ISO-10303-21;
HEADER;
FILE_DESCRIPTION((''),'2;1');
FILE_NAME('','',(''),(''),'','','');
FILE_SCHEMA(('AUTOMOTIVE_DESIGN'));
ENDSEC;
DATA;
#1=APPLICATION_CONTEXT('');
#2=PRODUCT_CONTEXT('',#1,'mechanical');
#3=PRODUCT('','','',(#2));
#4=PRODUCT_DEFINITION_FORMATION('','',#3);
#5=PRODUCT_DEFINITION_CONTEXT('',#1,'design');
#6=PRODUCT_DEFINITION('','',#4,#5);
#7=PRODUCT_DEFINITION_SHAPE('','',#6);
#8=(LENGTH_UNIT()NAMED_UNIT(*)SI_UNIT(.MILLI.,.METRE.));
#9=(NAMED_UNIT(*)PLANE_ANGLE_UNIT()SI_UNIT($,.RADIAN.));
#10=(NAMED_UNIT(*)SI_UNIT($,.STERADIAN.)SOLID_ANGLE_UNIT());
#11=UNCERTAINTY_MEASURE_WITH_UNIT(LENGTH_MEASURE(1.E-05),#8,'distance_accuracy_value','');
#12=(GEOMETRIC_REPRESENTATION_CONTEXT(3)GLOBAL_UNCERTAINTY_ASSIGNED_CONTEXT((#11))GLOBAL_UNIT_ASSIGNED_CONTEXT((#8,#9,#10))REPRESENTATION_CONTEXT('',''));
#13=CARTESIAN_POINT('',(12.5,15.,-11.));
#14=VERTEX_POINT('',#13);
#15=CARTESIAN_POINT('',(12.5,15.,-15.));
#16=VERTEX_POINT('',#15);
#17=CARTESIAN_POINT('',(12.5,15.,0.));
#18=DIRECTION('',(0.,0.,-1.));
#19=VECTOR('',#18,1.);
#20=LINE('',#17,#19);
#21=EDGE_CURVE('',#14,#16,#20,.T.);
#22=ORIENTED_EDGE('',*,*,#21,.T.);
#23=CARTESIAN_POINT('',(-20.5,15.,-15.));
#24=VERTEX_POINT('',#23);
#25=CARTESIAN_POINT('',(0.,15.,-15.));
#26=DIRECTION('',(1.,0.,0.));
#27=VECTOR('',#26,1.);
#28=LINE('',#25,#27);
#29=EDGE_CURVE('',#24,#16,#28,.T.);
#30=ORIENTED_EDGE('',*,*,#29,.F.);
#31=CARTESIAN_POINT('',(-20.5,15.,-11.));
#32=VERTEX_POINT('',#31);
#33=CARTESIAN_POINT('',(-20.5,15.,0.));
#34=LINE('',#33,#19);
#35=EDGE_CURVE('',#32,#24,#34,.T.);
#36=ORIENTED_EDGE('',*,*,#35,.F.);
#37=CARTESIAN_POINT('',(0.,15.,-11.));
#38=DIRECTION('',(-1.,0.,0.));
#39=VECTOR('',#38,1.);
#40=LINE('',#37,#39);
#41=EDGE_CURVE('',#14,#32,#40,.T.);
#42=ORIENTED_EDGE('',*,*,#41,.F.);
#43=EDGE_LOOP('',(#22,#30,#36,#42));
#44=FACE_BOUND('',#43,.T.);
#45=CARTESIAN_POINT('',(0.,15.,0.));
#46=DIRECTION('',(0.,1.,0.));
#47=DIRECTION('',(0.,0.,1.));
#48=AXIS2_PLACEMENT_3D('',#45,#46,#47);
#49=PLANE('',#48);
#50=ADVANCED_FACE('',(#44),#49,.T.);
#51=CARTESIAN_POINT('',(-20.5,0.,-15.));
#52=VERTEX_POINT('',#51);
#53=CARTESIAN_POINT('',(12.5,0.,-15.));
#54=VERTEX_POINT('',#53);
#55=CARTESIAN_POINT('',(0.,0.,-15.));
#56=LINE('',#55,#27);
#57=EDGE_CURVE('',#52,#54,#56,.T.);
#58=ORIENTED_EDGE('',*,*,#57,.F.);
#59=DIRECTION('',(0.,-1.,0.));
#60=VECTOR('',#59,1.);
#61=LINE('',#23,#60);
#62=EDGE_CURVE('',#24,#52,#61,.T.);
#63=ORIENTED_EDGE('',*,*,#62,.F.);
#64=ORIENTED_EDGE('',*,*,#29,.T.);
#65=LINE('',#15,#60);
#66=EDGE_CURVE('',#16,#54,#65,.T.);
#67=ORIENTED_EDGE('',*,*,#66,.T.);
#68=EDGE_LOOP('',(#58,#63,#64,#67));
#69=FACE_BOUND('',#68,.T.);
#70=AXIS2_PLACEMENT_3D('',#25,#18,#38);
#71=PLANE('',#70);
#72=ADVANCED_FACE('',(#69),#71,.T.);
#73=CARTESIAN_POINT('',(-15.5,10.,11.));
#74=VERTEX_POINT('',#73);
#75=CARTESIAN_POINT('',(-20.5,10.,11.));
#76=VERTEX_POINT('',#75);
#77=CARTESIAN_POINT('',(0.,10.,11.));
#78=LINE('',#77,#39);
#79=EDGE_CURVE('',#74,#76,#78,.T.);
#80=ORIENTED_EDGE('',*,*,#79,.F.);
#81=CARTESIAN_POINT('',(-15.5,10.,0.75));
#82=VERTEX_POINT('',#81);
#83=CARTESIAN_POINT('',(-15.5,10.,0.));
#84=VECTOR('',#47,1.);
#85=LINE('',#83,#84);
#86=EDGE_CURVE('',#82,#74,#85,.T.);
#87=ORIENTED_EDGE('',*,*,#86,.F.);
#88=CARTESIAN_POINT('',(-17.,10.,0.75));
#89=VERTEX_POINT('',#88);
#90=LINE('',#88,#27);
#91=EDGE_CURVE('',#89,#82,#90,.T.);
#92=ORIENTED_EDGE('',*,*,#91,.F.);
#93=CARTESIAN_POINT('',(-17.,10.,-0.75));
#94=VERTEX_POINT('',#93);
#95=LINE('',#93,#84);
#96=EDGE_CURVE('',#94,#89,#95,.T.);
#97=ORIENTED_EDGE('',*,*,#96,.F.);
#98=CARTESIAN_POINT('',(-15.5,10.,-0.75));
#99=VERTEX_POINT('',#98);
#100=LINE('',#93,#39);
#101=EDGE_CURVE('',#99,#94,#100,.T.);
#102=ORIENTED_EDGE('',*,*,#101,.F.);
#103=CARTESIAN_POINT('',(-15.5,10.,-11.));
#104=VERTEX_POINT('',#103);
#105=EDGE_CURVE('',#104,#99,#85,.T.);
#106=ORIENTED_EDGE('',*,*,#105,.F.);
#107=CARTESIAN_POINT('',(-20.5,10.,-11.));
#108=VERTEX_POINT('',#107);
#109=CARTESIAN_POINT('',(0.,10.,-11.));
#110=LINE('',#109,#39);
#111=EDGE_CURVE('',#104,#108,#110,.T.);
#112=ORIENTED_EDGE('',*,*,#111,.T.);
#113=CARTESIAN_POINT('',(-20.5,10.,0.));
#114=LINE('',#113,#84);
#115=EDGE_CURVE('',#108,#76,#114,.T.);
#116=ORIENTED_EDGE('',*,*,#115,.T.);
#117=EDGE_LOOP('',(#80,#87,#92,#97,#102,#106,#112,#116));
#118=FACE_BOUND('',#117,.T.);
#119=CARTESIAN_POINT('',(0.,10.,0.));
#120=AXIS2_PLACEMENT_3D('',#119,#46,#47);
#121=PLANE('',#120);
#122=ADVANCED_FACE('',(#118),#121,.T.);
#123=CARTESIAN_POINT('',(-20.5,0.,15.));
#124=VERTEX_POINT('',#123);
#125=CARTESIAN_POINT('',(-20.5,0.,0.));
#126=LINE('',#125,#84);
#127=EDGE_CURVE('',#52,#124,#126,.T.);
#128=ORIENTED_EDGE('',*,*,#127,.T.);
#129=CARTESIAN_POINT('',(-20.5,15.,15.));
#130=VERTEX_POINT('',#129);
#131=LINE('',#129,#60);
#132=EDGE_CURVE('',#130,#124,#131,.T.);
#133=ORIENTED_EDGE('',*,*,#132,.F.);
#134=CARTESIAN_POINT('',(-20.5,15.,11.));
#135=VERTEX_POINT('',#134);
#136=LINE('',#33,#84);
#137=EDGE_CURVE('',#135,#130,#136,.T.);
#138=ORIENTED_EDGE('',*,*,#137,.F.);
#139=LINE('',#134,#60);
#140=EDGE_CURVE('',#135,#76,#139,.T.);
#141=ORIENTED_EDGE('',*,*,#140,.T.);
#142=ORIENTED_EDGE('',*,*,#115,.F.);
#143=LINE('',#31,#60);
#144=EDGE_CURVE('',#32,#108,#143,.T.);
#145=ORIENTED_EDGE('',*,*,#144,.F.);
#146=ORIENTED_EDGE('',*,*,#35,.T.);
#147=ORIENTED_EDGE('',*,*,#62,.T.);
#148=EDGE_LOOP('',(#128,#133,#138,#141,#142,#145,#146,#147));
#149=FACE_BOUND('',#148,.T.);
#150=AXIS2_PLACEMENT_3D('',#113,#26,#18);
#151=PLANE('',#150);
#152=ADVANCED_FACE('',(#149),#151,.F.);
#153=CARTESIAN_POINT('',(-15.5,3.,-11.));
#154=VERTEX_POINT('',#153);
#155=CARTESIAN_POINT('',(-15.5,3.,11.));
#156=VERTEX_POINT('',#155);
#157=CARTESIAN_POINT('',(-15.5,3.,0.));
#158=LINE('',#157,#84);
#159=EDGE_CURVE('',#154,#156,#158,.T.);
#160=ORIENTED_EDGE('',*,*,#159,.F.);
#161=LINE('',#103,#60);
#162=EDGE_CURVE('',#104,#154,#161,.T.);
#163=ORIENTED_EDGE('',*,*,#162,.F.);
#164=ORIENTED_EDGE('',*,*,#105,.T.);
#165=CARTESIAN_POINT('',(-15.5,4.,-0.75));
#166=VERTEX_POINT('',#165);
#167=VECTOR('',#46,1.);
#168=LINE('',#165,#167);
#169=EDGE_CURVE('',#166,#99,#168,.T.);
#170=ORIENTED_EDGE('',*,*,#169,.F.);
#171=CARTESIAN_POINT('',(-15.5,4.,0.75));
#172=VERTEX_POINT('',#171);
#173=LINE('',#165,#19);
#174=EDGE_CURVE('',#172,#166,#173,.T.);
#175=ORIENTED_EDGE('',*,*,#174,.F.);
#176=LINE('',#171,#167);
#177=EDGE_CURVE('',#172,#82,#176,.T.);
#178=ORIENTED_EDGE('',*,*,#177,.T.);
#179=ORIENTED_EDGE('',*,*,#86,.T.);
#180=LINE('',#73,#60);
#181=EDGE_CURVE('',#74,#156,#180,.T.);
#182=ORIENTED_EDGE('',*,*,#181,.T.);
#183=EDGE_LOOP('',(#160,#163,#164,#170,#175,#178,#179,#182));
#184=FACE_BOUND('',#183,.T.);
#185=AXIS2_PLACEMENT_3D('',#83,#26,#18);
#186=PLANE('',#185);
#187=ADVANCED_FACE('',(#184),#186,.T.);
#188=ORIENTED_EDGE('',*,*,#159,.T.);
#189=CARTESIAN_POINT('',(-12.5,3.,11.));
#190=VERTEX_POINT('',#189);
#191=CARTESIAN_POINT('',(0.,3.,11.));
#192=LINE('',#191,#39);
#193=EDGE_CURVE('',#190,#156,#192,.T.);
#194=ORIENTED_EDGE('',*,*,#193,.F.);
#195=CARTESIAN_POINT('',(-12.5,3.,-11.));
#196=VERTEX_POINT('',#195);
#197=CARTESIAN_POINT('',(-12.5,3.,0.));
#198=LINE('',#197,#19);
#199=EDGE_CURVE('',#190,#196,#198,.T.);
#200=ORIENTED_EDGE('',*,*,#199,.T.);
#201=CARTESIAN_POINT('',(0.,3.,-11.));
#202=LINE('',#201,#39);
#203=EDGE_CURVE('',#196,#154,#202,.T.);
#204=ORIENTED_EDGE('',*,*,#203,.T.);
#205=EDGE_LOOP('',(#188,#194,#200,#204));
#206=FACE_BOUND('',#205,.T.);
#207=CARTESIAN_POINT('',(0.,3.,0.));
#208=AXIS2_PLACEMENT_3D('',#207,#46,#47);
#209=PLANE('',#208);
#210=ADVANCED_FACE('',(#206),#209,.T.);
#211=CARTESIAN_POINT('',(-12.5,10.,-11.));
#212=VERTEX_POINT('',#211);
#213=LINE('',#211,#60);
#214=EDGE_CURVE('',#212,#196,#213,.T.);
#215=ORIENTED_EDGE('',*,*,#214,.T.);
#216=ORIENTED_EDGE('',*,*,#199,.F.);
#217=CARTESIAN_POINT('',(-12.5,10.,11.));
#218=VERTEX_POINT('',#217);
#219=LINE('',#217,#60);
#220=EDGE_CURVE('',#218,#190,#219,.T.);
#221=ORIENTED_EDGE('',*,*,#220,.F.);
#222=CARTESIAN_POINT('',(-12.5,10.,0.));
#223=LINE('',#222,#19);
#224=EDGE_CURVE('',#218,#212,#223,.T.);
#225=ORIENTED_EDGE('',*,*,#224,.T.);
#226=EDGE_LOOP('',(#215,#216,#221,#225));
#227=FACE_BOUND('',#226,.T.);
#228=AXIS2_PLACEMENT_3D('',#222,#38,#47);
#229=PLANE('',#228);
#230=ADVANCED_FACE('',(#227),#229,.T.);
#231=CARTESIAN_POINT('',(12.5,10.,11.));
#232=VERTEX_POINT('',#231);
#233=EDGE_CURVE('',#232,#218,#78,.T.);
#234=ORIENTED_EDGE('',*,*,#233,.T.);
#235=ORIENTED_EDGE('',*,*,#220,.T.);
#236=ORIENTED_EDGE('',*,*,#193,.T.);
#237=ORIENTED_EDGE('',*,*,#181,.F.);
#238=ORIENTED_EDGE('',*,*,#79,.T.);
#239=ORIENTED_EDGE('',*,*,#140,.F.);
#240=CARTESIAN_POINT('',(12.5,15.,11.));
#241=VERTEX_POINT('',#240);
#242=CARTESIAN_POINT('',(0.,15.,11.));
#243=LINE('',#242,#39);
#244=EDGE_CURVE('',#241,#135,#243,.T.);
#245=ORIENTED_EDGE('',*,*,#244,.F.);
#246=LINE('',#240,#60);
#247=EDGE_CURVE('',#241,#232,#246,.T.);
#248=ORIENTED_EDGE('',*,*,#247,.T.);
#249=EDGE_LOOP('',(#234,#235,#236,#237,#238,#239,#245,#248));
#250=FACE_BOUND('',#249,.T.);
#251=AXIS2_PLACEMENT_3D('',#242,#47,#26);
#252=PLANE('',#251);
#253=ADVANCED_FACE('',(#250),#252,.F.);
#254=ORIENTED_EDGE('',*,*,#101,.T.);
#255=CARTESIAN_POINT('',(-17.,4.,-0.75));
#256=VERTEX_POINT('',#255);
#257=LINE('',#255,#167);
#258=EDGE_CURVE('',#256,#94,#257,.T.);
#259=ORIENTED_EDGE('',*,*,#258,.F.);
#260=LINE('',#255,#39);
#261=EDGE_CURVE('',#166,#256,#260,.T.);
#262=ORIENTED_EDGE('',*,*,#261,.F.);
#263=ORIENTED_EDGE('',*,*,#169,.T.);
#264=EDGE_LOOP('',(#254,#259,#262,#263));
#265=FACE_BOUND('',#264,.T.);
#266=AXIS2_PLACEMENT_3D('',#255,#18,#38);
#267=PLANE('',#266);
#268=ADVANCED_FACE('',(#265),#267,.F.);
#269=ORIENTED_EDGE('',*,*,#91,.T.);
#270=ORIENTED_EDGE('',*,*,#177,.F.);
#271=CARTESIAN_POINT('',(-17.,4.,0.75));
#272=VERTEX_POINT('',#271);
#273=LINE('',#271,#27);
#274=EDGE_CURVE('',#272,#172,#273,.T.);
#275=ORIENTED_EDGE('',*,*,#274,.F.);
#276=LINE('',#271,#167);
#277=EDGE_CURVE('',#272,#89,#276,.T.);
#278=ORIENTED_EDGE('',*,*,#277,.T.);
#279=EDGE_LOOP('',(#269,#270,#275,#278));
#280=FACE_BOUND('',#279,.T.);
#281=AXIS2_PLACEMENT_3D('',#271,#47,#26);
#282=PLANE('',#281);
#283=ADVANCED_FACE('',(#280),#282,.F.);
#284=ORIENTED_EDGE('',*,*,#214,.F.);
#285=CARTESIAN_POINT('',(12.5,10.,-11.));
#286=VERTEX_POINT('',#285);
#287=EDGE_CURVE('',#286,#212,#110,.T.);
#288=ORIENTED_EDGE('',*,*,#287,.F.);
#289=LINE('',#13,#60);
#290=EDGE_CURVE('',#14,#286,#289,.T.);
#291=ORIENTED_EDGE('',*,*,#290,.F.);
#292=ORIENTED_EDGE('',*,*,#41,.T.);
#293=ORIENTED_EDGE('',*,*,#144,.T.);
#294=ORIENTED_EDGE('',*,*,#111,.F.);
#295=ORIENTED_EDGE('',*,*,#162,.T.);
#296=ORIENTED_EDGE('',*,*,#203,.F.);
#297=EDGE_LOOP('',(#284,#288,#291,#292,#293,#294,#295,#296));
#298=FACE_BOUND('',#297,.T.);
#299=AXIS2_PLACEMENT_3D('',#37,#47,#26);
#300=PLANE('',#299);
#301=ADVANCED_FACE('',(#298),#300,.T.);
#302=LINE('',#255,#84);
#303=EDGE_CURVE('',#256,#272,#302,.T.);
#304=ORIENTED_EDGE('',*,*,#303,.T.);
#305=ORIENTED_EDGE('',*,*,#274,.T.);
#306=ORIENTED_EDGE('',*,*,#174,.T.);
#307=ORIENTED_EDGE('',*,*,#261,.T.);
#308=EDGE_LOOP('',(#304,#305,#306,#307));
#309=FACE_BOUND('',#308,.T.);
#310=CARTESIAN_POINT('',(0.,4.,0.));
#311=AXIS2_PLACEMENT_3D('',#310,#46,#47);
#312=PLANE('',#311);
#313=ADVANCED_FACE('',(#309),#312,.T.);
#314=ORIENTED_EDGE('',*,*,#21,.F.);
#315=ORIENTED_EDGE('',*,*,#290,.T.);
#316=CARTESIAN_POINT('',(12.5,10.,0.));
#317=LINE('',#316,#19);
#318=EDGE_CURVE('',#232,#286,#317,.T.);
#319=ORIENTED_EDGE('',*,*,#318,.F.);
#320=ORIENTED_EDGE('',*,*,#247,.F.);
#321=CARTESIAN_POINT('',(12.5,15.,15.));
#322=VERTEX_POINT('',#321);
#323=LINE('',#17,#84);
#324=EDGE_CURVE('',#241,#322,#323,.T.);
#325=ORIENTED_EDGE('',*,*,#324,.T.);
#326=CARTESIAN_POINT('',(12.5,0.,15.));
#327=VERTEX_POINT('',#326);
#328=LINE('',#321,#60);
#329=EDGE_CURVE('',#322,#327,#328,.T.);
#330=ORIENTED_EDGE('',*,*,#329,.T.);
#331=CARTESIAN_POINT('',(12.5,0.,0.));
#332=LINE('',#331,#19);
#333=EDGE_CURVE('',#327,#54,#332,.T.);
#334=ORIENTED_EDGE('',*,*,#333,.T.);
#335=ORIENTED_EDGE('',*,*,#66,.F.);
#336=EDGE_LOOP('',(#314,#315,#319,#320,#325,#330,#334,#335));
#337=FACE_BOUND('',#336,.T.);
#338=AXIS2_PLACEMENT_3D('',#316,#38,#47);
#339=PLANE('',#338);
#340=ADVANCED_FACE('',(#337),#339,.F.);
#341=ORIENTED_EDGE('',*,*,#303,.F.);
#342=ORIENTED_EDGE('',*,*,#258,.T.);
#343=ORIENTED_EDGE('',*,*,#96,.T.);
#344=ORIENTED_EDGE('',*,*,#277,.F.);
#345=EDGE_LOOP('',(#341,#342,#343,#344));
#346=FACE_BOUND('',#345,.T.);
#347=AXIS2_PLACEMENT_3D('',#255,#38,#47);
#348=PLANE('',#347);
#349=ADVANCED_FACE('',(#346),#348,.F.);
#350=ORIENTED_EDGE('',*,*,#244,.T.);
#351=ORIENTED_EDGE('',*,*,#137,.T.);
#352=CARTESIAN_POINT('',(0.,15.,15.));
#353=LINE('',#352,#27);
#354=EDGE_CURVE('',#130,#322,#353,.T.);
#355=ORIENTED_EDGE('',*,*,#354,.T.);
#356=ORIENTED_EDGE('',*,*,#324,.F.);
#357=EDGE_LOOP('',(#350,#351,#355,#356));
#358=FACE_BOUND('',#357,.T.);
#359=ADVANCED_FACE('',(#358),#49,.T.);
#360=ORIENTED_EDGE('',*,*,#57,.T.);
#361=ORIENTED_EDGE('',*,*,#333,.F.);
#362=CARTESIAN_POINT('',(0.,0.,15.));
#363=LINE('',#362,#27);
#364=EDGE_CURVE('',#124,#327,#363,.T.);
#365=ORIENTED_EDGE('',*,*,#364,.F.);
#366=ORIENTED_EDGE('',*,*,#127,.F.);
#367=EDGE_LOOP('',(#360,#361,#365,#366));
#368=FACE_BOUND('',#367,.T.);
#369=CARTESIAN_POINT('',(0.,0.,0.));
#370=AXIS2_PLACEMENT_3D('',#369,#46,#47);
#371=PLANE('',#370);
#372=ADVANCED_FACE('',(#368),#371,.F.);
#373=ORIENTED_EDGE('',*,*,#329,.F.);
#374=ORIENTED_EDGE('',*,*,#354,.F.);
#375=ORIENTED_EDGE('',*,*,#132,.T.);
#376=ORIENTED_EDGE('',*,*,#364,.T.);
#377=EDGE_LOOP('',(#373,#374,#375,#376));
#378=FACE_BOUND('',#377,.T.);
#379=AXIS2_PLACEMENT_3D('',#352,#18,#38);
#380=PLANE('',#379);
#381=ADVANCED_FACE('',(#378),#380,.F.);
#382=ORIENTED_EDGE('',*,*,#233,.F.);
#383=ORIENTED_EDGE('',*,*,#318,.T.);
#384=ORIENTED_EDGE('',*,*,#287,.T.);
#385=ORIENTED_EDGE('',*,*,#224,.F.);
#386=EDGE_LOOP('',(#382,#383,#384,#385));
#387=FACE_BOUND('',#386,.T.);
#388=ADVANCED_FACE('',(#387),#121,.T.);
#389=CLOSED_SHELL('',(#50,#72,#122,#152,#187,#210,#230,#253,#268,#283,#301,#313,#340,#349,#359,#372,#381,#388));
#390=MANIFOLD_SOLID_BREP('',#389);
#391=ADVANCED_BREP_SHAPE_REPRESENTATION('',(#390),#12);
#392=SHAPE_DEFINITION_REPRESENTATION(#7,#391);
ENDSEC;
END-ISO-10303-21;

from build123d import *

# Parameters (mm, degrees)
SKETCH1_W           = 3
SKETCH1_H           = 22
BOSS_EXTRUDE3_DEPTH = 3
SKETCH1_6_W         = 25
SKETCH1_6_H         = 22
SKETCH1_6_W_2       = 5
BOSS_EXTRUDE4_DEPTH = 10
SKETCH1_7_W         = 33
SKETCH1_7_H         = 4
BOSS_EXTRUDE5_DEPTH = 15
SKETCH6_W           = 1.5
SKETCH6_H           = 1.5
CUT_EXTRUDE1_DEPTH  = 6


with BuildPart() as part:
    # Sketch1 → Boss-Extrude3 (new body)
    with BuildSketch(Plane(origin=(0, 0, 0), x_dir=(1, 0, 0), z_dir=(0, 1, 0))):
        with Locations((-14, 0)):
            Rectangle(SKETCH1_W, SKETCH1_H)
    extrude(amount=BOSS_EXTRUDE3_DEPTH)

    # Sketch1<6> → Boss-Extrude4 (add)
    with BuildSketch(Plane(origin=(0, 0, 0), x_dir=(1, 0, 0), z_dir=(0, 1, 0))):
        Rectangle(SKETCH1_6_W, SKETCH1_6_H)
        with Locations((-18, 0)):
            Rectangle(SKETCH1_6_W_2, SKETCH1_6_H)
    extrude(amount=BOSS_EXTRUDE4_DEPTH)

    # Sketch1<7> → Boss-Extrude5 (add)
    with BuildSketch(Plane(origin=(0, 0, 0), x_dir=(1, 0, 0), z_dir=(0, 1, 0))):
        with Locations((-4, -13)):
            Rectangle(SKETCH1_7_W, SKETCH1_7_H)
        with Locations((-4, 13)):
            Rectangle(SKETCH1_7_W, SKETCH1_7_H)
    extrude(amount=BOSS_EXTRUDE5_DEPTH)

    # Sketch6 → Cut-Extrude1 (cut)
    with BuildSketch(Plane(origin=(0, 10, 0), x_dir=(1, 0, 0), z_dir=(0, 1, 0))):
        with Locations((-16.25, 0)):
            Rectangle(SKETCH6_W, SKETCH6_H)
    extrude(amount=-CUT_EXTRUDE1_DEPTH, mode=Mode.SUBTRACT)


solid = part.part
